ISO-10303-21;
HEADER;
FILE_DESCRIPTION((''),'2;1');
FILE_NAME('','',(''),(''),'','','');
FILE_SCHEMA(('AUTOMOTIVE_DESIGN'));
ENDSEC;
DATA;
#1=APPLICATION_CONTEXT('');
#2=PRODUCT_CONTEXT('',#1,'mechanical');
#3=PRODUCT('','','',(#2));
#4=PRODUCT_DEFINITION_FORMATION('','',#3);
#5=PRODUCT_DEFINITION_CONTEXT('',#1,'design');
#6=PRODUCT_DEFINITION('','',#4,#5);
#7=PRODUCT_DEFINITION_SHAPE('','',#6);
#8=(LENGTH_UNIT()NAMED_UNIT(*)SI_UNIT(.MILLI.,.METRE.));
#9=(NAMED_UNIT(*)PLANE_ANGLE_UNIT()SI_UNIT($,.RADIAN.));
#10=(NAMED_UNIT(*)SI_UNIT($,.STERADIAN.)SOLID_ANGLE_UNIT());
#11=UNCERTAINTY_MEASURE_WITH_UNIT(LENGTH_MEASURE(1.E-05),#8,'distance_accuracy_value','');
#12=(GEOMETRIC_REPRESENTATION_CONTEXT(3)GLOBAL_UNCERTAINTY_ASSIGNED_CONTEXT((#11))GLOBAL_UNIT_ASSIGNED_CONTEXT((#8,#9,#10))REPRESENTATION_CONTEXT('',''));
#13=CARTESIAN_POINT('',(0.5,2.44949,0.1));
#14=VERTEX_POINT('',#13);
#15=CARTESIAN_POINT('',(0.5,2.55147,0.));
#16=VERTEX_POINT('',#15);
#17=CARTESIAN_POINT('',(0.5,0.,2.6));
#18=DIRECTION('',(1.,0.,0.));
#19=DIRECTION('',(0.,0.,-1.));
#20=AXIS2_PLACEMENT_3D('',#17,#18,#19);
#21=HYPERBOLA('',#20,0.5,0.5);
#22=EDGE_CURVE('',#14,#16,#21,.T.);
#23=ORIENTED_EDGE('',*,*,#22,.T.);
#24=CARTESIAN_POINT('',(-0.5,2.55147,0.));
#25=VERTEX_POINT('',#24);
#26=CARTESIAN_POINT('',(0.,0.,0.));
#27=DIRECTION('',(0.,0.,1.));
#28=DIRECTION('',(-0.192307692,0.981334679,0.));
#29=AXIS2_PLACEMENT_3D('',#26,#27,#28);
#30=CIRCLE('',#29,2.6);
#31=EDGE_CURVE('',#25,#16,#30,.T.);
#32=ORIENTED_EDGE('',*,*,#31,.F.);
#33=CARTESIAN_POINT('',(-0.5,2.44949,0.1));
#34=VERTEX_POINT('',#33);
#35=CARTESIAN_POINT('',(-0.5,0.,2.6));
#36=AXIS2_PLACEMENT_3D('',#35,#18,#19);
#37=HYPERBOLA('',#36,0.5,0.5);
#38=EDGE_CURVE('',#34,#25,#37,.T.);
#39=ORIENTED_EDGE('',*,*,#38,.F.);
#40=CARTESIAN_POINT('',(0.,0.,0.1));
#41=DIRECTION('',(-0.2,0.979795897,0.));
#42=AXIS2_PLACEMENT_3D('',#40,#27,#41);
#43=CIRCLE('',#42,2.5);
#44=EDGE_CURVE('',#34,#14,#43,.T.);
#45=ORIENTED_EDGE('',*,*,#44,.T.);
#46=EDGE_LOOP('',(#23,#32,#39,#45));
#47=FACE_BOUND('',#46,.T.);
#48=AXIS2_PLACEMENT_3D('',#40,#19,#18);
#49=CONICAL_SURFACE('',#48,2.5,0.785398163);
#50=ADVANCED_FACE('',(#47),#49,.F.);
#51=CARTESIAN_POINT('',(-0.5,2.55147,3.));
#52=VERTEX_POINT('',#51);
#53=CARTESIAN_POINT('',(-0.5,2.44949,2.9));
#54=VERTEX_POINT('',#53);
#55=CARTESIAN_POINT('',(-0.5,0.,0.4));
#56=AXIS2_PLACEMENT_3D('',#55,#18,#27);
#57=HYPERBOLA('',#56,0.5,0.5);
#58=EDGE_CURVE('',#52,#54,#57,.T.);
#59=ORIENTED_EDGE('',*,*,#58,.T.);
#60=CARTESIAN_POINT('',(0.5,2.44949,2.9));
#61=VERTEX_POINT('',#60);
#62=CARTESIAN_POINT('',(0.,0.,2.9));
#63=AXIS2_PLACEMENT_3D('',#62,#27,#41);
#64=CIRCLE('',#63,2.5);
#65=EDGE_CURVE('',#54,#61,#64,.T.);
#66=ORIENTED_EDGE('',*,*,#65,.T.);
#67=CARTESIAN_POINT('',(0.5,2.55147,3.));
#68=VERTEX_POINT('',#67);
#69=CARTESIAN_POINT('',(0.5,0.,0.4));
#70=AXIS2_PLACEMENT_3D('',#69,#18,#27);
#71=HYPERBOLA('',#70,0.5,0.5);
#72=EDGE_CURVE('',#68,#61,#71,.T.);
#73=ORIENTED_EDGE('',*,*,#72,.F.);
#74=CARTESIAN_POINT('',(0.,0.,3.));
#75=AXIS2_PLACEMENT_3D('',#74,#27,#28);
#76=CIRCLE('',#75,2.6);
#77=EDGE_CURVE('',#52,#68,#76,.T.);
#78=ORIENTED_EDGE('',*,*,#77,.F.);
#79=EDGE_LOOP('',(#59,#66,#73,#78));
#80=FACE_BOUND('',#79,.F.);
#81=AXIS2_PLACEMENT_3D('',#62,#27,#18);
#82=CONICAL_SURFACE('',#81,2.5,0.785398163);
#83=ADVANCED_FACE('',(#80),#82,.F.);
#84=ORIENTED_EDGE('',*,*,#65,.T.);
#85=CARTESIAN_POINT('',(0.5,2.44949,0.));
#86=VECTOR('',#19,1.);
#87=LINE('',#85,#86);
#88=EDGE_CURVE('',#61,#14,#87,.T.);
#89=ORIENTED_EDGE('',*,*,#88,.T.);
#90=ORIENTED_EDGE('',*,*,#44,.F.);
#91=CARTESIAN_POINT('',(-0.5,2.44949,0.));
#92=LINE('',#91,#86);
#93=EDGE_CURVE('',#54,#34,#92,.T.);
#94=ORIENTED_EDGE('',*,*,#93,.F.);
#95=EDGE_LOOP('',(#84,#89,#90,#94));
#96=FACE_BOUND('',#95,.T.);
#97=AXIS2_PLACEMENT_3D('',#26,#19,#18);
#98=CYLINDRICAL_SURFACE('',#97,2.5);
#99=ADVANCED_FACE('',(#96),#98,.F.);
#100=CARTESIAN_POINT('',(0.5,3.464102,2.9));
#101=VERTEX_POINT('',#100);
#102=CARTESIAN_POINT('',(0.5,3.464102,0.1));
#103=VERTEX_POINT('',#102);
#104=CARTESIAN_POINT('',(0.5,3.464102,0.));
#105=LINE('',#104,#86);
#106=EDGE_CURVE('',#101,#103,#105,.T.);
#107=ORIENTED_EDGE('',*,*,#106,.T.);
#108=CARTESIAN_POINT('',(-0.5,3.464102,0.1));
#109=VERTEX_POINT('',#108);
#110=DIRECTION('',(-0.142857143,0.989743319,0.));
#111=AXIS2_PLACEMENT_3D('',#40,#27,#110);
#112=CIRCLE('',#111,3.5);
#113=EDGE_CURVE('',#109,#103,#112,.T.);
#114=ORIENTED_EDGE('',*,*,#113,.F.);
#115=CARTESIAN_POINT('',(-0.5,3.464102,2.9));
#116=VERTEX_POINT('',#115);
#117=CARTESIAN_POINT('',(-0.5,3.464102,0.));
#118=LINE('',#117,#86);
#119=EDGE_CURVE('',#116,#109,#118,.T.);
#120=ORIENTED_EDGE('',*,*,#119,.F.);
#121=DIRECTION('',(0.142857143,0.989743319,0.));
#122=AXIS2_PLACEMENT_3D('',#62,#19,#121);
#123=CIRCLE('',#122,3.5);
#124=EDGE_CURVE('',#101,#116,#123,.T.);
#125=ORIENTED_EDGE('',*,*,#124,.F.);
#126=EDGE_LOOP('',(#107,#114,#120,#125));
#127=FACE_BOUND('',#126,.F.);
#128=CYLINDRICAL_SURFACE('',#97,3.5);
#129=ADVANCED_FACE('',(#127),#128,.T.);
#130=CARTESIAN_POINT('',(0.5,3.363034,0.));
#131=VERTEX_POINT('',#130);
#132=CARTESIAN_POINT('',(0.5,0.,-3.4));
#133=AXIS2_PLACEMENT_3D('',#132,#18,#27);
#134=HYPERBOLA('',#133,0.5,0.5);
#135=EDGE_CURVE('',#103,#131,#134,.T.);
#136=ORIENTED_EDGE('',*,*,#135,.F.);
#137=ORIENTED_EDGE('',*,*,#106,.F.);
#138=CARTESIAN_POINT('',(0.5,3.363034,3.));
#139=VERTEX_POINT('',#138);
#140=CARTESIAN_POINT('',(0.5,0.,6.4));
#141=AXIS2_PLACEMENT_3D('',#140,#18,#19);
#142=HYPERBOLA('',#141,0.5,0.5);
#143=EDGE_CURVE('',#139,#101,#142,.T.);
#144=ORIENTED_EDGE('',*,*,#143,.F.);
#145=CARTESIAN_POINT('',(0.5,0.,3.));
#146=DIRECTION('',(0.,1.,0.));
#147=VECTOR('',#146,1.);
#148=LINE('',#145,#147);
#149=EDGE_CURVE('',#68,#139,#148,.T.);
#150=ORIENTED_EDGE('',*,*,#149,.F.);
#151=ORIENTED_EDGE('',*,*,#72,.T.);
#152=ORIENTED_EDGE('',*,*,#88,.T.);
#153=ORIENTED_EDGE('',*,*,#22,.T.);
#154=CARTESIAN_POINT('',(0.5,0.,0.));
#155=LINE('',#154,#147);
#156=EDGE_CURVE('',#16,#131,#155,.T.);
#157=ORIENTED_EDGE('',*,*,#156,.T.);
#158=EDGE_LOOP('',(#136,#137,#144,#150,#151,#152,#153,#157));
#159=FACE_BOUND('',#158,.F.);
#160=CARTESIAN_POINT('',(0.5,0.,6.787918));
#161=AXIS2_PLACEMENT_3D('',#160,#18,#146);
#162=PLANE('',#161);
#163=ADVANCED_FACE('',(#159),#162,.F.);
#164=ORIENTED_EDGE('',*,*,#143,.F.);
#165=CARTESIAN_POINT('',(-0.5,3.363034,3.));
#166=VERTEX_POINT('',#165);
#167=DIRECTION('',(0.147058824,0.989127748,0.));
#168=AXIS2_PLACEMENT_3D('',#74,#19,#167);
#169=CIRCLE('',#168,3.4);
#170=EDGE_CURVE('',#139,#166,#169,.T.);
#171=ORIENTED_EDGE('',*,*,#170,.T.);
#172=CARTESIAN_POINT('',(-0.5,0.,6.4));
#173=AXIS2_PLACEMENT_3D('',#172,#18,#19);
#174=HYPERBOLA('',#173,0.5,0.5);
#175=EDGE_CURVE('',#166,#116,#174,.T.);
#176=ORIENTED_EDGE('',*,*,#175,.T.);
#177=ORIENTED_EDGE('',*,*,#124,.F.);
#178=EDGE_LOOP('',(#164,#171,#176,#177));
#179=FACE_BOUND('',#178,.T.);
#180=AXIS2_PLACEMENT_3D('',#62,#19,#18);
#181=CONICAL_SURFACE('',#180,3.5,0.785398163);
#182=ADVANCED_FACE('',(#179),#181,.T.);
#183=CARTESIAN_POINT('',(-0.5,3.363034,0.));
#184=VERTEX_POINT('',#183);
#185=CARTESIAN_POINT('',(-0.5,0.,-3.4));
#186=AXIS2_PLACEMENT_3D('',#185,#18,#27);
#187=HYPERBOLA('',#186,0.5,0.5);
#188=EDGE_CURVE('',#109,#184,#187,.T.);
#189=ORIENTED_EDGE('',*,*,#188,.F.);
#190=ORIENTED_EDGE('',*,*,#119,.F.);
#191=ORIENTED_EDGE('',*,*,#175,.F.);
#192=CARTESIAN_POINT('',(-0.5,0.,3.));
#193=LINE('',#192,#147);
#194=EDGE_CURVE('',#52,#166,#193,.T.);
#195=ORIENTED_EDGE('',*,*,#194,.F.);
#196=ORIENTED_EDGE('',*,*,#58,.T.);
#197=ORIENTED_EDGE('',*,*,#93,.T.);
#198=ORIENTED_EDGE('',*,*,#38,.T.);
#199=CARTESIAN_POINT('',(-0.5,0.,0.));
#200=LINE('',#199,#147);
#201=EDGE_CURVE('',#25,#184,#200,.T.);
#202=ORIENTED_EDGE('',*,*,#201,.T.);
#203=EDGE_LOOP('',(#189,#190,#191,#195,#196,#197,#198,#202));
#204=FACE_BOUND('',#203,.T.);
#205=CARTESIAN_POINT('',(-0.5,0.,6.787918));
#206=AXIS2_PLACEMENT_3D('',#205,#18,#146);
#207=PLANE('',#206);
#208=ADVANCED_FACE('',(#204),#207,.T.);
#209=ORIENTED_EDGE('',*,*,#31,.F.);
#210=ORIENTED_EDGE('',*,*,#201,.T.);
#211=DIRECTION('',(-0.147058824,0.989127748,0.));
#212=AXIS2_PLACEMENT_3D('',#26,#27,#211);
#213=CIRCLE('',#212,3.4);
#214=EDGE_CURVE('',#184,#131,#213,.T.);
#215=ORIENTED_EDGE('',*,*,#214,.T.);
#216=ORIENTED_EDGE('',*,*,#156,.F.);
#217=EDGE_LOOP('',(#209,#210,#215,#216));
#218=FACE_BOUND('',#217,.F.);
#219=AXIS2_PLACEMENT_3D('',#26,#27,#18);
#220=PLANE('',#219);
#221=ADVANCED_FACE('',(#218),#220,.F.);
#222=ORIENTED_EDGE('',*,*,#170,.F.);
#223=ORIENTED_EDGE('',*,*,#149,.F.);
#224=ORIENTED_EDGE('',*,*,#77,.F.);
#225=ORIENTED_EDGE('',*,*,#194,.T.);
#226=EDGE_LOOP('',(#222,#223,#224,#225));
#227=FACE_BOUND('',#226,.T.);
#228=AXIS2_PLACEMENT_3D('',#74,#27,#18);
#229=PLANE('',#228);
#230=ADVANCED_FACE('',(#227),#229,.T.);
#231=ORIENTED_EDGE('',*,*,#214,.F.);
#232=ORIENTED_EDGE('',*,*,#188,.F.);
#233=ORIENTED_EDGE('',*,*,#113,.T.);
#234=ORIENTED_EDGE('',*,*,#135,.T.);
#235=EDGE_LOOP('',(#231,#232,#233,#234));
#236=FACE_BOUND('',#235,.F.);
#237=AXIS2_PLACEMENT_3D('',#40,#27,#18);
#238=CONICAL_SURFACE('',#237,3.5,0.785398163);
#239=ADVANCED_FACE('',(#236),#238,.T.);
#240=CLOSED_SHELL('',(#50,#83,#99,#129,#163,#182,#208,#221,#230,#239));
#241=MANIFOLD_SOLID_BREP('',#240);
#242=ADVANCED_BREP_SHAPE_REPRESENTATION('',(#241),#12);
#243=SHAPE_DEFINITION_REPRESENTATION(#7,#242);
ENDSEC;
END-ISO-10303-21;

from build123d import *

# Parameters (mm, degrees)
SKETCH_1_R               = 3.5
SKETCH_1_R_2             = 2.5
EXTRUDE_1_DEPTH          = 3
CHAMFER_1_SIZE           = 0.1
CUT_EXTRUDE_2_DEPTH      = 6.787918451
CUT_EXTRUDE_2_DEPTH_BACK = 6.787918451
SKETCH_2_W               = 1
SKETCH_2_H               = 3.5


with BuildPart() as part:
    # 草图1 → 拉伸-薄壁1 (new body)
    with BuildSketch(Plane.XY):
        Circle(SKETCH_1_R)
        Circle(SKETCH_1_R_2, mode=Mode.SUBTRACT)
    extrude(amount=EXTRUDE_1_DEPTH)

    # 倒角1
    chamfer_1_edges = [part.edges().sort_by_distance(p)[0] for p in [
        (-3.5, 0, 0),
        (-2.5, 0, 0),
        (-3.5, 0, 3),
        (-2.5, 0, 3),
    ]]
    chamfer(chamfer_1_edges, length=CHAMFER_1_SIZE)

    # 草图2 → 切除-拉伸-薄壁2 (cut, two sides: drawn at the far end of the back side and taken through both)
    with BuildSketch(Plane(origin=(0, 0, 0), x_dir=(-1, 0, 0), z_dir=(0, 0, -1)).offset(-CUT_EXTRUDE_2_DEPTH_BACK)):
        with Locations((0, 1.75)):
            Rectangle(SKETCH_2_W, SKETCH_2_H)
    extrude(amount=CUT_EXTRUDE_2_DEPTH + CUT_EXTRUDE_2_DEPTH_BACK, mode=Mode.SUBTRACT)


solid = part.part
